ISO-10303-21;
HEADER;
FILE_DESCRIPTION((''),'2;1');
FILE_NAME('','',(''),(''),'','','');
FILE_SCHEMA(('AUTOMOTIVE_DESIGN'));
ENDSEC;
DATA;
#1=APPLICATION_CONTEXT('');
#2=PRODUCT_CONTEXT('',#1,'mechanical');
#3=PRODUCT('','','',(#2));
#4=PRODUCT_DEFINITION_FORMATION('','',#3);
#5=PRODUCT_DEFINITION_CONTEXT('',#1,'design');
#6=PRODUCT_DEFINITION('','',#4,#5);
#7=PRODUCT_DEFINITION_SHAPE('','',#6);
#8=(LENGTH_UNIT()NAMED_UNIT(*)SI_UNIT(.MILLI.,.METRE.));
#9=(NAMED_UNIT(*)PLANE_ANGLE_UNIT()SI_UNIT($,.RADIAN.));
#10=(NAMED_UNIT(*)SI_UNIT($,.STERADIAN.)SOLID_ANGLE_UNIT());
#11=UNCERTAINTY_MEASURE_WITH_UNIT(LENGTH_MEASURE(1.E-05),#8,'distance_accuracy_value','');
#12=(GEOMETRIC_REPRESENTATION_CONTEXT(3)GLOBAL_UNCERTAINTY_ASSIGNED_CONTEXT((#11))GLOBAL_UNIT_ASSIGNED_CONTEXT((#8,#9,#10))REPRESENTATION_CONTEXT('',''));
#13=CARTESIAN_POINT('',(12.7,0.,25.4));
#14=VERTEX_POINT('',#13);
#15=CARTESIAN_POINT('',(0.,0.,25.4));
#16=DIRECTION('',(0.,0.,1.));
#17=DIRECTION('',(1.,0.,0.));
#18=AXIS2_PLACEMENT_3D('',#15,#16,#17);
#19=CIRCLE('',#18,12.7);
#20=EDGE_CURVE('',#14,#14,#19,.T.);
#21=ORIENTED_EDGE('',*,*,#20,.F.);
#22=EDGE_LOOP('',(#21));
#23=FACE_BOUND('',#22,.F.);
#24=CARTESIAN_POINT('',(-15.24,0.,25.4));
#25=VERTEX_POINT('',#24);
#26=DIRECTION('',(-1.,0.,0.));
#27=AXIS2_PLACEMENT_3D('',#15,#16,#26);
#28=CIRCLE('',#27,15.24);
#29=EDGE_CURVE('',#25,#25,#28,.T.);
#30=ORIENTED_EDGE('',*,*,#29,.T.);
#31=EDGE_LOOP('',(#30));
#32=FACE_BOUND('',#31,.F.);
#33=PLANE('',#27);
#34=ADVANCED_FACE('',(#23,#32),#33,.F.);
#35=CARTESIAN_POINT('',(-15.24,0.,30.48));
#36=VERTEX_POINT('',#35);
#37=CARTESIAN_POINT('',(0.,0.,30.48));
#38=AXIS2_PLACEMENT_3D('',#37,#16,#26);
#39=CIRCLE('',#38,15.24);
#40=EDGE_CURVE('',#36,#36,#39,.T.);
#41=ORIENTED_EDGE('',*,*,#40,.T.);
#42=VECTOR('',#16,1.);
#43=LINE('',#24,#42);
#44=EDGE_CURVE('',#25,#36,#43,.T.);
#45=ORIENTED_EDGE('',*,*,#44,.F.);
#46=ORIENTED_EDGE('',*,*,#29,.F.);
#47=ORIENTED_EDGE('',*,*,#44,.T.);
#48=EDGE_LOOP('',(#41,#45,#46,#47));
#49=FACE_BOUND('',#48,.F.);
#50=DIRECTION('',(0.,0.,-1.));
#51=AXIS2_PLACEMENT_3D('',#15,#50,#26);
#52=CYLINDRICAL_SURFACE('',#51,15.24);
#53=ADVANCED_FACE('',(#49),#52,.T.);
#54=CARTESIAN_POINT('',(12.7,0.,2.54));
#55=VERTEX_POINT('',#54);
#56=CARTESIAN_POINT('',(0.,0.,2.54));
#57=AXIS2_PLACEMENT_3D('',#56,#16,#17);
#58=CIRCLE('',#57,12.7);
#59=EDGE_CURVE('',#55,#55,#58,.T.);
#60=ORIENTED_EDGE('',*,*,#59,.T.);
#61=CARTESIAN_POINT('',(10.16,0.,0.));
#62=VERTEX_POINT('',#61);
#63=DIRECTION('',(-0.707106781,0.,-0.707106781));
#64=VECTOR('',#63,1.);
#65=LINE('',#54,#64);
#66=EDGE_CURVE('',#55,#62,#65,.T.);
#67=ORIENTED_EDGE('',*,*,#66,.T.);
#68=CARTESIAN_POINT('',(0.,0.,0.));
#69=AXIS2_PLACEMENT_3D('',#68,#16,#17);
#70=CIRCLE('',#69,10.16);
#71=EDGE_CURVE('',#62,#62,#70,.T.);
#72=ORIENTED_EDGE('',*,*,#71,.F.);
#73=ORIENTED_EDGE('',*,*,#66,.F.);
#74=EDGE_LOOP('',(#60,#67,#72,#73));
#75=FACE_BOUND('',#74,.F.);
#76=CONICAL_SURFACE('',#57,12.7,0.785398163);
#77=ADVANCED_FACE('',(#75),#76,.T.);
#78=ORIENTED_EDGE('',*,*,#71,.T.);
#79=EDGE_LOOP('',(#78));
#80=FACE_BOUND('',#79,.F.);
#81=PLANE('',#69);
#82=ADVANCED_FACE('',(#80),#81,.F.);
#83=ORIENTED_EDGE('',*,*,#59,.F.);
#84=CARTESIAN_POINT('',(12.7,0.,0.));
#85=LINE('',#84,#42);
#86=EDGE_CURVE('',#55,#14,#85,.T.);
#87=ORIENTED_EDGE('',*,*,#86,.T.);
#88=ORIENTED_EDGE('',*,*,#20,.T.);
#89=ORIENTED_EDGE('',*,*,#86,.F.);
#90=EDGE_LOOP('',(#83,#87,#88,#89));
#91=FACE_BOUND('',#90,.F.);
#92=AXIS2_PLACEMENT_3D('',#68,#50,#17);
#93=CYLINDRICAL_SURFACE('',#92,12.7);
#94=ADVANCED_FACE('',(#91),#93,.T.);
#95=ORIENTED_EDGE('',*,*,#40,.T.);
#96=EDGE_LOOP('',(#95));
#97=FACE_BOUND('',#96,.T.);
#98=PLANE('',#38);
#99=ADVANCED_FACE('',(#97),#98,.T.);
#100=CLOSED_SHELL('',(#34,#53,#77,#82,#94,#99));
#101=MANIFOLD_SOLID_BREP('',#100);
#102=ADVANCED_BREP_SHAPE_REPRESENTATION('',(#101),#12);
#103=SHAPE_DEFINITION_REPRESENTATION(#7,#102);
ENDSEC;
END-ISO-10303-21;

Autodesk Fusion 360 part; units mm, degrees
sketch "Sketch4" plane through (0, 0, 0) normal (0, 0, 1) x (1, 0, 0)
  circle A0 centre (0, 0) radius 12.7
  dimension "d28" = 25.4
extrude "Extrude4" add sketch "Sketch4" along normal blind 25.4
sketch "Sketch5" plane through (0, 0, 25.4) normal (0, 0, 1) x (-1, 0, 0)
  circle A0 centre (0, 0) radius 12.7
  circle A1 centre (0, 0) radius 15.24
extrude "Extrude5" add sketch "Sketch5" along normal blind 5.08 contours A0 | A1
chamfer "Chamfer2" distance 2.54 angle 45 1 edges at (-11.8406, -4.5925, 0)
